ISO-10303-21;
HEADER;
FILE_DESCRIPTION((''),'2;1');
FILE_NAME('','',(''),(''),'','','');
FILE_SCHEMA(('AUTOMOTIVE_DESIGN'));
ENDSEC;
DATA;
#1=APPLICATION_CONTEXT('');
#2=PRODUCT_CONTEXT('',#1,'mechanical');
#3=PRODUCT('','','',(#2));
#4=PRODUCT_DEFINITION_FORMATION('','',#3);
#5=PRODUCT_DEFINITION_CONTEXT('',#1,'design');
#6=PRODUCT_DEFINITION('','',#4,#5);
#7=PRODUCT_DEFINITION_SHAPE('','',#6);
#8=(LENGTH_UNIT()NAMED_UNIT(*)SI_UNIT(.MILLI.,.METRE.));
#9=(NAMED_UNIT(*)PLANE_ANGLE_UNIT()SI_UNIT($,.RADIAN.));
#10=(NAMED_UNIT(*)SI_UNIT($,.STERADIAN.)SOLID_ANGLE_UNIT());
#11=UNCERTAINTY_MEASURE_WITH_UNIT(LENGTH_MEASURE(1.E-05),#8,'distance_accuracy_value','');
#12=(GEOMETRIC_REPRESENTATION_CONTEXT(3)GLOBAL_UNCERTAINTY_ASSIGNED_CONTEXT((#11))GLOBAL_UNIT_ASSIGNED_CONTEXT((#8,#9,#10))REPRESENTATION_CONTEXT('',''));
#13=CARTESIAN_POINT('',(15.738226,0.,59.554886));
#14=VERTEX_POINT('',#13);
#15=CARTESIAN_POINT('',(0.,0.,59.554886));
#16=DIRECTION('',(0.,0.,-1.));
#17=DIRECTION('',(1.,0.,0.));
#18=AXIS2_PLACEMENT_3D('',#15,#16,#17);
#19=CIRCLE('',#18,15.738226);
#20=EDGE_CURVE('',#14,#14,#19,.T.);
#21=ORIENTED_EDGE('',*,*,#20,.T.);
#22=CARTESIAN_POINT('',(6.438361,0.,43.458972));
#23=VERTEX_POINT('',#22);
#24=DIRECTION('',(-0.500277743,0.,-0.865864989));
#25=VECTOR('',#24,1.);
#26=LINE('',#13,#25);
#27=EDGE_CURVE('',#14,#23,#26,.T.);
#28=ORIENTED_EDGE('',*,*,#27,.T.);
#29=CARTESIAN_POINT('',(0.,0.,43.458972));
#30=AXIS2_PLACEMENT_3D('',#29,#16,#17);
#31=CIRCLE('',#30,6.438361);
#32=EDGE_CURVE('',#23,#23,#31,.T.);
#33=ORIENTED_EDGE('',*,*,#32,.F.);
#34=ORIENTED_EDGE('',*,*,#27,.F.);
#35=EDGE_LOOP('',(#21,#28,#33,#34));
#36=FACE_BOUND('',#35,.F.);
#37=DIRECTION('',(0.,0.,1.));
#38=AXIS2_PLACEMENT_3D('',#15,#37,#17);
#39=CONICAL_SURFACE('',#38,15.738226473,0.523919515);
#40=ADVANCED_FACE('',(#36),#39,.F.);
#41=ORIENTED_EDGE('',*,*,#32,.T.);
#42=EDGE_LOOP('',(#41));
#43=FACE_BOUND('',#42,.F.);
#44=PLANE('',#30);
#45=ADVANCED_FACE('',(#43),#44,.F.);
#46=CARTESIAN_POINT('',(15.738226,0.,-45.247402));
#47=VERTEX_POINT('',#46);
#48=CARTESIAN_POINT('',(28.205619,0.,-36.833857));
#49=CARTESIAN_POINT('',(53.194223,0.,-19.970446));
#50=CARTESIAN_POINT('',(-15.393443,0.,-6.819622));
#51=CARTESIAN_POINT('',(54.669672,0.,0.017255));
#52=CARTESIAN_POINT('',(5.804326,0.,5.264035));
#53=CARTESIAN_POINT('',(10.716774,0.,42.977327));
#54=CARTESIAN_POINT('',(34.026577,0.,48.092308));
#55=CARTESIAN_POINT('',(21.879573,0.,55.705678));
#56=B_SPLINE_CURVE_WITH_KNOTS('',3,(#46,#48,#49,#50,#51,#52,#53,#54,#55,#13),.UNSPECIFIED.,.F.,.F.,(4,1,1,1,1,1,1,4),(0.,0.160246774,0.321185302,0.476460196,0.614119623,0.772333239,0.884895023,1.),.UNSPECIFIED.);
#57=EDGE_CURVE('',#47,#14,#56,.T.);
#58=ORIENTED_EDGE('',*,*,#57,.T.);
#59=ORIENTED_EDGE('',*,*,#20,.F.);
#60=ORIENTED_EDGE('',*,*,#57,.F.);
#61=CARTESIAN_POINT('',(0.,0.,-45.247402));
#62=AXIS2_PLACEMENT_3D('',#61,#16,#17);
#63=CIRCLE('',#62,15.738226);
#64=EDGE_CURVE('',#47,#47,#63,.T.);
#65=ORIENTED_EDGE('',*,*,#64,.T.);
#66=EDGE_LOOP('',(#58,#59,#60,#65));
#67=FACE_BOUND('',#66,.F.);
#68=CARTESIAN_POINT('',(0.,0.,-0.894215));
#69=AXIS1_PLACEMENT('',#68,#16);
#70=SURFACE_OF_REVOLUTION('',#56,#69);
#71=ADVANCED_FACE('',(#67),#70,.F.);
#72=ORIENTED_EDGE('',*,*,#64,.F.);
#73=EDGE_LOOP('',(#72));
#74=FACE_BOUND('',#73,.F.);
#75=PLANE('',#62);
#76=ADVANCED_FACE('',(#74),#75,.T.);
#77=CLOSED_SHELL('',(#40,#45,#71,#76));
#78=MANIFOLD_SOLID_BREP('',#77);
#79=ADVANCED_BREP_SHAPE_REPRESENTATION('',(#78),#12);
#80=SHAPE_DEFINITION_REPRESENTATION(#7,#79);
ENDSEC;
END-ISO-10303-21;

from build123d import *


with BuildPart() as f1:
    # F0 (on Front) → F1 (revolve)
    with BuildSketch(Plane.XZ):
        with BuildLine():
            Line((0.3576842137, 43.4589721262), (0, 43.4589721262))
            Line((0, 43.4589721262), (0, -45.2474020422))
            Line((0, -45.2474020422), (15.7382264733, -45.2474020422))
            add(Edge.make_bspline(
                [(15.7382264733, -45.2474020422), (28.2056188574, -36.8338566759), (53.1942229062, -19.9704463229), (-15.3934433186, -6.8196224252), (54.6696715706, 0.0172552135), (5.8043258443, 5.2640354267), (10.7167742313, 42.9773273551), (34.026576963, 48.0923079292), (21.8795733949, 55.705677855), (15.7382264733, 59.5548860729)],
                knots=[0, 0, 0, 0, 0.1602467741, 0.3211853021, 0.4764601964, 0.6141196226, 0.7723332387, 0.8848950232, 1, 1, 1, 1], degree=3))
            Line((15.7382264733, 59.5548860729), (6.4383614808, 43.4589721262))
            Line((6.4383614808, 43.4589721262), (0.3576842137, 43.4589721262))
        make_face()
    revolve(axis=Axis((0, 0, -0.894214958), (0, 0, -1)))


solid = f1.part
